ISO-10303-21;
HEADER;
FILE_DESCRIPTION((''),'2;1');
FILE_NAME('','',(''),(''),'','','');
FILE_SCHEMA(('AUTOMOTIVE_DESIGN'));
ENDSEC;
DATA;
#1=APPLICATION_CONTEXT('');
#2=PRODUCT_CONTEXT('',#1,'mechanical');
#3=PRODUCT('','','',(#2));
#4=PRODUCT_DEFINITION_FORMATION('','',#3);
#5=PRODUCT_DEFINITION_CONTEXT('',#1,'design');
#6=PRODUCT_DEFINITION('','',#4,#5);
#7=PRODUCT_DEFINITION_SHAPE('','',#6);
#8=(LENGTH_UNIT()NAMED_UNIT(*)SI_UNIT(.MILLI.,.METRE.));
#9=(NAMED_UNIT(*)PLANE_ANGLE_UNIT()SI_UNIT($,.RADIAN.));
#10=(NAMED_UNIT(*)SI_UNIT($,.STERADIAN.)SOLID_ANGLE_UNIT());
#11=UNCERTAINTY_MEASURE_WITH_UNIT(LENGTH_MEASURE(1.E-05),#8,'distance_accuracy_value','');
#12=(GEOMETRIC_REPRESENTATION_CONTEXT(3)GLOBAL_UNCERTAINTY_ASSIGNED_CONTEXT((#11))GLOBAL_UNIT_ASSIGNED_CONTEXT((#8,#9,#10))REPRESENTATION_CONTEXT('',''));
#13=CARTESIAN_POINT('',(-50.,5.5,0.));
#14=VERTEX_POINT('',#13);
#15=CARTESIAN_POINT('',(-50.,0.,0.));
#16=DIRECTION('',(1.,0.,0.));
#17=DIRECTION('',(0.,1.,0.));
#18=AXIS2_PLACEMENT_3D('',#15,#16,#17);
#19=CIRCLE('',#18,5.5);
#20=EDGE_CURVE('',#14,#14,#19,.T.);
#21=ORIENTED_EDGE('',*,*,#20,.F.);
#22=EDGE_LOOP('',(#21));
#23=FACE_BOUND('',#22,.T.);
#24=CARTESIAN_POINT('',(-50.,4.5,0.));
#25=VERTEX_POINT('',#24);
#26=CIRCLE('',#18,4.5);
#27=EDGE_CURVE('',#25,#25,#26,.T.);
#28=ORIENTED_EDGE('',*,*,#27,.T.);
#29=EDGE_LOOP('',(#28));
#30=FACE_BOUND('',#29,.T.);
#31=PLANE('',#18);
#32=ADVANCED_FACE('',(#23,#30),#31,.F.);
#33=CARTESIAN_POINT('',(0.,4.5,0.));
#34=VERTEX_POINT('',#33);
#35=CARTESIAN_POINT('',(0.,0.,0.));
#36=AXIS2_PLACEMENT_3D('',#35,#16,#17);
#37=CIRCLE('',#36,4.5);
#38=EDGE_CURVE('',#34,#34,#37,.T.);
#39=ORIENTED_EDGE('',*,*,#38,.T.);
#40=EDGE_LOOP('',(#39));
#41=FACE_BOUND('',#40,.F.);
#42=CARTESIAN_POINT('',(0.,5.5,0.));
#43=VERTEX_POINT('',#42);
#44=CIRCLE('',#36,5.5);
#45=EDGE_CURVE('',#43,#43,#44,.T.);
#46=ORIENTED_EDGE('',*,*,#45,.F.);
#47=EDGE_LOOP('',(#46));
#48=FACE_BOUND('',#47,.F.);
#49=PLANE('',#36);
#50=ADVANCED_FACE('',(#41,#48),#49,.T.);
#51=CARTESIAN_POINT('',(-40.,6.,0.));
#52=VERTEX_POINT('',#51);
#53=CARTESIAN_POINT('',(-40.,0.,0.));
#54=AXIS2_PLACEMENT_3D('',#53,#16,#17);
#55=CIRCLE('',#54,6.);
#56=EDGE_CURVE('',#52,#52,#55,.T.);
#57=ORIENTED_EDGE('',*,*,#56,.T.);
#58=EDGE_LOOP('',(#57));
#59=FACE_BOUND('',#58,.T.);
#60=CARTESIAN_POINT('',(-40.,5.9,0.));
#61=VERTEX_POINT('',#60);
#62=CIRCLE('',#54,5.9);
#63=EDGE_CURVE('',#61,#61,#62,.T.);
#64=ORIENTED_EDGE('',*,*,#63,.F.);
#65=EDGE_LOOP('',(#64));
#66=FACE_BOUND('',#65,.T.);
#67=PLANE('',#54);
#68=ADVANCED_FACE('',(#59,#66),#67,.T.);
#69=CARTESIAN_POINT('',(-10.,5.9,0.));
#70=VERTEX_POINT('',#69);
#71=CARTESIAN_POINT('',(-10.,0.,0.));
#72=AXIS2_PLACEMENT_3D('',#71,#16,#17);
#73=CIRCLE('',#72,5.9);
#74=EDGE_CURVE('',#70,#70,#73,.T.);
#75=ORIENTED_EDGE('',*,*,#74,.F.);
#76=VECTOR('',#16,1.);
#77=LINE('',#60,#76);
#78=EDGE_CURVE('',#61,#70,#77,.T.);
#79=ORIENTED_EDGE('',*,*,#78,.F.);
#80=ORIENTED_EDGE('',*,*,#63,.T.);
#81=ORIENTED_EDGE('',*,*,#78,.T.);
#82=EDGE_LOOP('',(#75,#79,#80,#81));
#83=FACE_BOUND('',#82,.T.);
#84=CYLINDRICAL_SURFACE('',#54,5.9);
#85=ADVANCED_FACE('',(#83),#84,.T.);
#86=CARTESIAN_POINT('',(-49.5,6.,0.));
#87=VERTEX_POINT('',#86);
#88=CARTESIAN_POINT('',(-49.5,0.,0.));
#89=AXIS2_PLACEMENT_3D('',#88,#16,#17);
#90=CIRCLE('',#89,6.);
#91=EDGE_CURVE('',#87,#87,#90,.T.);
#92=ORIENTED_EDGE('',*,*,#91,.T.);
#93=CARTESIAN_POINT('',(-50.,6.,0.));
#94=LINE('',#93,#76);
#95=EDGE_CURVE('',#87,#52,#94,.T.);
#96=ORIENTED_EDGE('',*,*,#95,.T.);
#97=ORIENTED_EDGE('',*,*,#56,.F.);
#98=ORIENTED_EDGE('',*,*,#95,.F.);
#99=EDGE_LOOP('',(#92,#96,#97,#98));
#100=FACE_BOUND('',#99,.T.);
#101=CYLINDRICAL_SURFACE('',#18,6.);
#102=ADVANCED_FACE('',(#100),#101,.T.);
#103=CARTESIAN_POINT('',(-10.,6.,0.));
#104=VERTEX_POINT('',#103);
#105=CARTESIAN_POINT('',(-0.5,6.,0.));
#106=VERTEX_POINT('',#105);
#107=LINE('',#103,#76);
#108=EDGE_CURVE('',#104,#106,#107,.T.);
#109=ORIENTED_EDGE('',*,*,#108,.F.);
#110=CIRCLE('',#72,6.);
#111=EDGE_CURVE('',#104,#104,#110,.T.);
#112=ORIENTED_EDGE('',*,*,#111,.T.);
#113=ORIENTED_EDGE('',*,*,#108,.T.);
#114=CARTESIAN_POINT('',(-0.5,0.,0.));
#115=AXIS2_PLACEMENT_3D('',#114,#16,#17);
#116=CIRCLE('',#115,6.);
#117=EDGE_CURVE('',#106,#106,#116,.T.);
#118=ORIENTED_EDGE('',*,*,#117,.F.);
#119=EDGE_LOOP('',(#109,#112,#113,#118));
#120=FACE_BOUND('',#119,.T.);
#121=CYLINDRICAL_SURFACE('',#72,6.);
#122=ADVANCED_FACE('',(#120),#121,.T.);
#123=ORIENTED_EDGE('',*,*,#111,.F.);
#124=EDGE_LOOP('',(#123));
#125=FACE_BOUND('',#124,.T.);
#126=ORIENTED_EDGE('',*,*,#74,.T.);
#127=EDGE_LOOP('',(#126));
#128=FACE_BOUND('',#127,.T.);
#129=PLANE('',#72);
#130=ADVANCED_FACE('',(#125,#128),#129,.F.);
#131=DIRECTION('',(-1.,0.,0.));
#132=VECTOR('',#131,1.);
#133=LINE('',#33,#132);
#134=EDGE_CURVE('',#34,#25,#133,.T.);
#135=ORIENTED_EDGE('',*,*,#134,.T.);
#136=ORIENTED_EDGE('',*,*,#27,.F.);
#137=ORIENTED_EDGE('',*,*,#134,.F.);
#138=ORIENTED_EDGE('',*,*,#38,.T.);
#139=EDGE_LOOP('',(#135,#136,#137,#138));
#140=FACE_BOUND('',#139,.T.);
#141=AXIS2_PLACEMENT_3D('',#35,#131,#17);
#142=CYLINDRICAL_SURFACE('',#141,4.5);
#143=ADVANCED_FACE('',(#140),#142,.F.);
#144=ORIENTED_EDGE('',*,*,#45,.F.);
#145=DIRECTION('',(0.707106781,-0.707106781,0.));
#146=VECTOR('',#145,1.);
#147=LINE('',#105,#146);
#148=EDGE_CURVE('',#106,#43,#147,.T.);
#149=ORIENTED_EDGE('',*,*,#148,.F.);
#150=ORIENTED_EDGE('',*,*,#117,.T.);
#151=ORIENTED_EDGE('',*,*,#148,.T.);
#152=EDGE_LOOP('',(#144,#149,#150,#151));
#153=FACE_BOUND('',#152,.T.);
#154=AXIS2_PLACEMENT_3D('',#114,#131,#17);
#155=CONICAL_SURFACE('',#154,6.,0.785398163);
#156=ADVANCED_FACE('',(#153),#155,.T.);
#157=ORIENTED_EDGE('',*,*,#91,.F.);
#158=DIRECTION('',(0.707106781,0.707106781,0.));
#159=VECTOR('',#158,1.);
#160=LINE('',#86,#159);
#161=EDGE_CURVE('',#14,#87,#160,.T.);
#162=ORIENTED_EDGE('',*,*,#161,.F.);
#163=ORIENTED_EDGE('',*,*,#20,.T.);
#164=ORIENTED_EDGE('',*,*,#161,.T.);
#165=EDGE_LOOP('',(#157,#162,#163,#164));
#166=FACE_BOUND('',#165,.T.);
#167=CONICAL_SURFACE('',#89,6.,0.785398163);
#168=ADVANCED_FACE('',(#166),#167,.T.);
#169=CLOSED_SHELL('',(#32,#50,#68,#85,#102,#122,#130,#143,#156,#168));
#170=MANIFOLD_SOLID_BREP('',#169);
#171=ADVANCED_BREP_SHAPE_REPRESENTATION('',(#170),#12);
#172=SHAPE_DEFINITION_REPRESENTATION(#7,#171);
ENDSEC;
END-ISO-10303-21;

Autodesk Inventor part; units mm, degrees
ref_plane "YZ Plane" through (0, 0, 0) normal (1, 0, 0) x (0, 1, 0)
ref_plane "XZ Plane" through (0, 0, 0) normal (0, 1, 0) x (-1, 0, 0)
ref_plane "XY Plane" through (0, 0, 0) normal (0, 0, 1) x (1, 0, 0)
sketch "Skizze1" plane through (0, 0, 0) normal (0, 0, 1) x (1, 0, 0)
  line L0 (-60, 0) -> (10, 0) projected
  line L1 (0, -1.2) -> (0, 7.2) projected
  line L2 (0, 4.5) -> (-50, 4.5)
  line L3 (-50, 4.5) -> (-50, 6)
  line L4 (-50, 6) -> (-40, 6)
  line L5 (-40, 6) -> (-40, 5.9)
  line L6 (-40, 5.9) -> (-10, 5.9)
  line L7 (-10, 5.9) -> (-10, 6)
  line L8 (-10, 6) -> (0, 6)
  line L9 (0, 4.5) -> (0, 6)
  point P0 (0, 0)
  dimension "d1" = 9
  dimension "d2" = 12
  dimension "d3" = 11.8
  dimension "d4" = 50
  dimension "d5" = 10
  dimension "d6" = 10
revolve "Umdrehung1" add sketch "Skizze1" angle 360 about axis through (-10, 0, 0) along (1, 0, 0)
chamfer "Fase1" distance 0.5 angle 45 2 edges at (0, -6, 0) (-50, -6, 0)
properties part number "13_0204_031"
